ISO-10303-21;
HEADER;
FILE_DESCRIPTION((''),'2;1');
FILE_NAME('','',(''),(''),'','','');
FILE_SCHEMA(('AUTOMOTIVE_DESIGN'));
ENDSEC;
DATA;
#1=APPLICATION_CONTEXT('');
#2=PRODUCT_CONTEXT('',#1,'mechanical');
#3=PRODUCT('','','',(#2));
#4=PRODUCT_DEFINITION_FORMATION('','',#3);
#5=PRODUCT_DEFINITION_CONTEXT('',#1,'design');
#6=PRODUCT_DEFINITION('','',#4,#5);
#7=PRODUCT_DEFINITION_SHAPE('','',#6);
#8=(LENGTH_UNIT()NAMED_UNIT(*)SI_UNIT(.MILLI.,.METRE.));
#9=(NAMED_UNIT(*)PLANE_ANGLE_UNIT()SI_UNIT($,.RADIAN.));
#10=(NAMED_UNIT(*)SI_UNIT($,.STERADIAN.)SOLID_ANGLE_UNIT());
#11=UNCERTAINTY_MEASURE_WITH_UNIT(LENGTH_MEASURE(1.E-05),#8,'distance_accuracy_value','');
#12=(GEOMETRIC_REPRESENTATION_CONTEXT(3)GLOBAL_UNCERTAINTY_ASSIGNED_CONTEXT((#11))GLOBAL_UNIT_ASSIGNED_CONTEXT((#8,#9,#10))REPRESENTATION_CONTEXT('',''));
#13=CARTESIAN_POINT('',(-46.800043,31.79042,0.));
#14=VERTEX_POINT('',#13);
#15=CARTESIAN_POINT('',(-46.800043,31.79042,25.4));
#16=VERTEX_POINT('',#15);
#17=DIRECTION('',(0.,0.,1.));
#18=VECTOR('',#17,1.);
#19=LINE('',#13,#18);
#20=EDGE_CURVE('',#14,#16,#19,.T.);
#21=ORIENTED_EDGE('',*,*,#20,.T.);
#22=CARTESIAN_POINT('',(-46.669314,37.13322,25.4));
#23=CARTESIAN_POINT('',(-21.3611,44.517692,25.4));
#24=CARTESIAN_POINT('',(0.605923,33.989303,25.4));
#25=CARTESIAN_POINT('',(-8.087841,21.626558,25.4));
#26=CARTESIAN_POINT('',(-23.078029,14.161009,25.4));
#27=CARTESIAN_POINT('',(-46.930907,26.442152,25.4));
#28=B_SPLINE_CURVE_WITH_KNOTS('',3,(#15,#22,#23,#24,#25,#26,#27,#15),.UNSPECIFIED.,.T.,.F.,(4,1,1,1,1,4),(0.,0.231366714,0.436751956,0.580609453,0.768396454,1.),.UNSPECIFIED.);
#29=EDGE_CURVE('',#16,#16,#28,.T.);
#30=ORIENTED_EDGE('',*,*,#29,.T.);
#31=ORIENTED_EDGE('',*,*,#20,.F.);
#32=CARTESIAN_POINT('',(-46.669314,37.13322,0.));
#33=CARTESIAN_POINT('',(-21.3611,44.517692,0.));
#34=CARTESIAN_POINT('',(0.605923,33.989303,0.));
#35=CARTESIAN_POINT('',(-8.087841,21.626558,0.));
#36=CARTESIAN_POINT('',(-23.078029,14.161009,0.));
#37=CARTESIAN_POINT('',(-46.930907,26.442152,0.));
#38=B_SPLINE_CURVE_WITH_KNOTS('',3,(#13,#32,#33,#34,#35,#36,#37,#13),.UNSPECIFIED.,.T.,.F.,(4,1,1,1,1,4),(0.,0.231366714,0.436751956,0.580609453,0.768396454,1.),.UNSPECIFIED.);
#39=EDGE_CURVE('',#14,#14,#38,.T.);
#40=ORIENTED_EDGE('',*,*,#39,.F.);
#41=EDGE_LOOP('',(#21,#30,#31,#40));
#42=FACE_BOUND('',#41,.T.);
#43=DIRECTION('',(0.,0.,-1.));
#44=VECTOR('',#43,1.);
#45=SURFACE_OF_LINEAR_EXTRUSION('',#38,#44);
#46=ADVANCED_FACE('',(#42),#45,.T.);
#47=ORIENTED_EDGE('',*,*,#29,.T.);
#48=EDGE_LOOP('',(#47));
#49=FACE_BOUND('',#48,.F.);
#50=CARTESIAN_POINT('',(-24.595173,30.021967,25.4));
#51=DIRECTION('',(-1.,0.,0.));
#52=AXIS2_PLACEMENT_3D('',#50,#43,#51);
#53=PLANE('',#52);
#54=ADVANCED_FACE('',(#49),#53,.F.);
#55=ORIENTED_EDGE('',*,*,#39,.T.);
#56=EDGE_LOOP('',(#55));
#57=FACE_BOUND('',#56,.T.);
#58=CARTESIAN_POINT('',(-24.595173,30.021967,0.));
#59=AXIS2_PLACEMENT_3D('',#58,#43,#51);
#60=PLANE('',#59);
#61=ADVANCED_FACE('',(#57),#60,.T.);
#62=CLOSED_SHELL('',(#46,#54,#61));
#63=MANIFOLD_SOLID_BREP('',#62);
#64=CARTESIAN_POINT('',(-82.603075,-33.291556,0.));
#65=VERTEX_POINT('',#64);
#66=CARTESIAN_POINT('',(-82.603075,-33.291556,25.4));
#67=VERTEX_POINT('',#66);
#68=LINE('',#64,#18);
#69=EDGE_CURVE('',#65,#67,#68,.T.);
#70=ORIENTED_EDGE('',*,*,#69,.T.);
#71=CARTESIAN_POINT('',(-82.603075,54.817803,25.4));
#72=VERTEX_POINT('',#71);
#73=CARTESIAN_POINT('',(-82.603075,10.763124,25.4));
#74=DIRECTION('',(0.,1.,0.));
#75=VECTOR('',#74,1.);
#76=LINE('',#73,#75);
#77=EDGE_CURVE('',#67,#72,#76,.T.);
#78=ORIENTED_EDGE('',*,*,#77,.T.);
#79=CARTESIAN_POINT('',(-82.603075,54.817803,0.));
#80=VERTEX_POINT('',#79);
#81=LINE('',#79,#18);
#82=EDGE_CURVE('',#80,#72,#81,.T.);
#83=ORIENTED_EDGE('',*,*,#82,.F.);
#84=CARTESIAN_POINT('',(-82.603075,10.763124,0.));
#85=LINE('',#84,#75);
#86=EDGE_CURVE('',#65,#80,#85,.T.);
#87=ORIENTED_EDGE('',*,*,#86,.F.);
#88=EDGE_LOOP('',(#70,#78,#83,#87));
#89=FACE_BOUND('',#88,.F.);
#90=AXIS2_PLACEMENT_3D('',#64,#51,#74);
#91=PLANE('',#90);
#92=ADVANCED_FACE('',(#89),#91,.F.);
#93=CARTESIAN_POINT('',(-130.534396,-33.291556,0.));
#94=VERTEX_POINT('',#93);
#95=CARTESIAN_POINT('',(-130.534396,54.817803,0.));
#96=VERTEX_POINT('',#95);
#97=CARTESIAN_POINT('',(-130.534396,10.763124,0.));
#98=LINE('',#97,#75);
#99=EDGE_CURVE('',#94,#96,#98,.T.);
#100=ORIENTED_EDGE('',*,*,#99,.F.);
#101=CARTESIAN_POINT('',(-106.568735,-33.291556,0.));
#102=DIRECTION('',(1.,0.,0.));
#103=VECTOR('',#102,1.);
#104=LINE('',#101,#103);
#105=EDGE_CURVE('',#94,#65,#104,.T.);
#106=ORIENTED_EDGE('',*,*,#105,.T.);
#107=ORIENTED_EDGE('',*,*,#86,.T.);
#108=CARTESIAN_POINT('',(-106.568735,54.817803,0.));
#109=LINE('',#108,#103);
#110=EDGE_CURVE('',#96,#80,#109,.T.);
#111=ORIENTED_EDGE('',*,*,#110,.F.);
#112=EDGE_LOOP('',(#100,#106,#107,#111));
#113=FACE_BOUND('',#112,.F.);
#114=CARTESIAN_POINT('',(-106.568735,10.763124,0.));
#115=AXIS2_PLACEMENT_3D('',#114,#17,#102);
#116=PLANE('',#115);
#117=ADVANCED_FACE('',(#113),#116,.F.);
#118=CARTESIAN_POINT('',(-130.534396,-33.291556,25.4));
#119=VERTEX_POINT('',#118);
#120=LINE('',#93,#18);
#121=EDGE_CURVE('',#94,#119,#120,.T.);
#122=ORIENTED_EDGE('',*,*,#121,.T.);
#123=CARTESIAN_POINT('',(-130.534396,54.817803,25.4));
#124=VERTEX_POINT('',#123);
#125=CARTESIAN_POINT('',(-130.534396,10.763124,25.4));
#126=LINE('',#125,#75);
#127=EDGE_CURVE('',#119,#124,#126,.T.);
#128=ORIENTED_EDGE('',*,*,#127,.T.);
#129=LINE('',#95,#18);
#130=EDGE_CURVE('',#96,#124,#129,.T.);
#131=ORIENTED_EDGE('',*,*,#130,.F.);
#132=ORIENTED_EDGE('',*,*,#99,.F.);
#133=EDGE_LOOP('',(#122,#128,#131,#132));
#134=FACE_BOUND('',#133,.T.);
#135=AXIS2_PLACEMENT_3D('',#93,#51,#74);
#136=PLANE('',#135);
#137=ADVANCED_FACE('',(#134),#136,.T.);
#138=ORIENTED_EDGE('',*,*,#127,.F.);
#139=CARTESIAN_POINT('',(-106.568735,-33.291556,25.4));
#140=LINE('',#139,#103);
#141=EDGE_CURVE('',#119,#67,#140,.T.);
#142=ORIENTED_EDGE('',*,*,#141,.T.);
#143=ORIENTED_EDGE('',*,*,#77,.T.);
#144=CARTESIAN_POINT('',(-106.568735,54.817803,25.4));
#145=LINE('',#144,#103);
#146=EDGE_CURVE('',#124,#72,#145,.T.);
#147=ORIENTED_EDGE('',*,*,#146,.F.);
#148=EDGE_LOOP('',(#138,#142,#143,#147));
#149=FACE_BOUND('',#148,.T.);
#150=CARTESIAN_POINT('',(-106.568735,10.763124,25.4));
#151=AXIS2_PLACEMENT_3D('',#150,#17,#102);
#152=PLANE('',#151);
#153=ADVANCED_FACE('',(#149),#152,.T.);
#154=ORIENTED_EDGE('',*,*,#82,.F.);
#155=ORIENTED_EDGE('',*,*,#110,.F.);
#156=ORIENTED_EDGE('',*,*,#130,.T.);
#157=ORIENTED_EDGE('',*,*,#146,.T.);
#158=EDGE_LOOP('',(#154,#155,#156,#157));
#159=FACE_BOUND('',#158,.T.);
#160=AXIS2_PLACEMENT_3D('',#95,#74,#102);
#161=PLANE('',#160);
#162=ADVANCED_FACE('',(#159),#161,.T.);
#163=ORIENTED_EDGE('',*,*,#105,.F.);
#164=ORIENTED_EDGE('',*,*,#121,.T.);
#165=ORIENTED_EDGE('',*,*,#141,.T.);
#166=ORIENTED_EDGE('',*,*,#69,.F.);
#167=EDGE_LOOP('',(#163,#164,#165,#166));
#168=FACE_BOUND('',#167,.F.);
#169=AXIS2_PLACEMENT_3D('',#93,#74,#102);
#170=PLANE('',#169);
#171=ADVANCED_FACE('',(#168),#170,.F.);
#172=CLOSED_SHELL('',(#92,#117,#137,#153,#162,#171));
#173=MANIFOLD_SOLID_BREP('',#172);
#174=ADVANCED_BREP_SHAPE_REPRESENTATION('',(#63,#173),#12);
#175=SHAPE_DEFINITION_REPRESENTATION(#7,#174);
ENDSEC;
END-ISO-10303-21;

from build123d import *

# Parameters (mm, degrees)
F0_W     = 47.9313209653
F0_H     = 88.1093591452
F1_DEPTH = 25.4
F2_DEPTH = 25.4


with BuildPart() as f1:
    # F0 (on Top) → F1 (new body)
    with BuildSketch(Plane.XY):
        with Locations((-106.5687350929, 10.7631236315)):
            Rectangle(F0_W, F0_H)
    extrude(amount=F1_DEPTH)


with BuildPart() as f2:
    # F0 (on Top) → F2 (new body)
    with BuildSketch(Plane.XY):
        with BuildLine():
            add(Edge.make_bspline(
                [(-46.8000434339, 31.790420413), (-46.6693138878, 37.1332195923), (-21.3611000813, 44.5176922804), (0.6059233997, 33.9893032679), (-8.0878408227, 21.6265576062), (-23.0780288911, 14.1610088325), (-46.9309067974, 26.4421522351), (-46.8000434339, 31.790420413)],
                knots=[0, 0, 0, 0, 0.2313667143, 0.4367519565, 0.5806094528, 0.768396454, 1, 1, 1, 1], degree=3))
        make_face()
    extrude(amount=F2_DEPTH)


solid = Compound([f1.part, f2.part])
